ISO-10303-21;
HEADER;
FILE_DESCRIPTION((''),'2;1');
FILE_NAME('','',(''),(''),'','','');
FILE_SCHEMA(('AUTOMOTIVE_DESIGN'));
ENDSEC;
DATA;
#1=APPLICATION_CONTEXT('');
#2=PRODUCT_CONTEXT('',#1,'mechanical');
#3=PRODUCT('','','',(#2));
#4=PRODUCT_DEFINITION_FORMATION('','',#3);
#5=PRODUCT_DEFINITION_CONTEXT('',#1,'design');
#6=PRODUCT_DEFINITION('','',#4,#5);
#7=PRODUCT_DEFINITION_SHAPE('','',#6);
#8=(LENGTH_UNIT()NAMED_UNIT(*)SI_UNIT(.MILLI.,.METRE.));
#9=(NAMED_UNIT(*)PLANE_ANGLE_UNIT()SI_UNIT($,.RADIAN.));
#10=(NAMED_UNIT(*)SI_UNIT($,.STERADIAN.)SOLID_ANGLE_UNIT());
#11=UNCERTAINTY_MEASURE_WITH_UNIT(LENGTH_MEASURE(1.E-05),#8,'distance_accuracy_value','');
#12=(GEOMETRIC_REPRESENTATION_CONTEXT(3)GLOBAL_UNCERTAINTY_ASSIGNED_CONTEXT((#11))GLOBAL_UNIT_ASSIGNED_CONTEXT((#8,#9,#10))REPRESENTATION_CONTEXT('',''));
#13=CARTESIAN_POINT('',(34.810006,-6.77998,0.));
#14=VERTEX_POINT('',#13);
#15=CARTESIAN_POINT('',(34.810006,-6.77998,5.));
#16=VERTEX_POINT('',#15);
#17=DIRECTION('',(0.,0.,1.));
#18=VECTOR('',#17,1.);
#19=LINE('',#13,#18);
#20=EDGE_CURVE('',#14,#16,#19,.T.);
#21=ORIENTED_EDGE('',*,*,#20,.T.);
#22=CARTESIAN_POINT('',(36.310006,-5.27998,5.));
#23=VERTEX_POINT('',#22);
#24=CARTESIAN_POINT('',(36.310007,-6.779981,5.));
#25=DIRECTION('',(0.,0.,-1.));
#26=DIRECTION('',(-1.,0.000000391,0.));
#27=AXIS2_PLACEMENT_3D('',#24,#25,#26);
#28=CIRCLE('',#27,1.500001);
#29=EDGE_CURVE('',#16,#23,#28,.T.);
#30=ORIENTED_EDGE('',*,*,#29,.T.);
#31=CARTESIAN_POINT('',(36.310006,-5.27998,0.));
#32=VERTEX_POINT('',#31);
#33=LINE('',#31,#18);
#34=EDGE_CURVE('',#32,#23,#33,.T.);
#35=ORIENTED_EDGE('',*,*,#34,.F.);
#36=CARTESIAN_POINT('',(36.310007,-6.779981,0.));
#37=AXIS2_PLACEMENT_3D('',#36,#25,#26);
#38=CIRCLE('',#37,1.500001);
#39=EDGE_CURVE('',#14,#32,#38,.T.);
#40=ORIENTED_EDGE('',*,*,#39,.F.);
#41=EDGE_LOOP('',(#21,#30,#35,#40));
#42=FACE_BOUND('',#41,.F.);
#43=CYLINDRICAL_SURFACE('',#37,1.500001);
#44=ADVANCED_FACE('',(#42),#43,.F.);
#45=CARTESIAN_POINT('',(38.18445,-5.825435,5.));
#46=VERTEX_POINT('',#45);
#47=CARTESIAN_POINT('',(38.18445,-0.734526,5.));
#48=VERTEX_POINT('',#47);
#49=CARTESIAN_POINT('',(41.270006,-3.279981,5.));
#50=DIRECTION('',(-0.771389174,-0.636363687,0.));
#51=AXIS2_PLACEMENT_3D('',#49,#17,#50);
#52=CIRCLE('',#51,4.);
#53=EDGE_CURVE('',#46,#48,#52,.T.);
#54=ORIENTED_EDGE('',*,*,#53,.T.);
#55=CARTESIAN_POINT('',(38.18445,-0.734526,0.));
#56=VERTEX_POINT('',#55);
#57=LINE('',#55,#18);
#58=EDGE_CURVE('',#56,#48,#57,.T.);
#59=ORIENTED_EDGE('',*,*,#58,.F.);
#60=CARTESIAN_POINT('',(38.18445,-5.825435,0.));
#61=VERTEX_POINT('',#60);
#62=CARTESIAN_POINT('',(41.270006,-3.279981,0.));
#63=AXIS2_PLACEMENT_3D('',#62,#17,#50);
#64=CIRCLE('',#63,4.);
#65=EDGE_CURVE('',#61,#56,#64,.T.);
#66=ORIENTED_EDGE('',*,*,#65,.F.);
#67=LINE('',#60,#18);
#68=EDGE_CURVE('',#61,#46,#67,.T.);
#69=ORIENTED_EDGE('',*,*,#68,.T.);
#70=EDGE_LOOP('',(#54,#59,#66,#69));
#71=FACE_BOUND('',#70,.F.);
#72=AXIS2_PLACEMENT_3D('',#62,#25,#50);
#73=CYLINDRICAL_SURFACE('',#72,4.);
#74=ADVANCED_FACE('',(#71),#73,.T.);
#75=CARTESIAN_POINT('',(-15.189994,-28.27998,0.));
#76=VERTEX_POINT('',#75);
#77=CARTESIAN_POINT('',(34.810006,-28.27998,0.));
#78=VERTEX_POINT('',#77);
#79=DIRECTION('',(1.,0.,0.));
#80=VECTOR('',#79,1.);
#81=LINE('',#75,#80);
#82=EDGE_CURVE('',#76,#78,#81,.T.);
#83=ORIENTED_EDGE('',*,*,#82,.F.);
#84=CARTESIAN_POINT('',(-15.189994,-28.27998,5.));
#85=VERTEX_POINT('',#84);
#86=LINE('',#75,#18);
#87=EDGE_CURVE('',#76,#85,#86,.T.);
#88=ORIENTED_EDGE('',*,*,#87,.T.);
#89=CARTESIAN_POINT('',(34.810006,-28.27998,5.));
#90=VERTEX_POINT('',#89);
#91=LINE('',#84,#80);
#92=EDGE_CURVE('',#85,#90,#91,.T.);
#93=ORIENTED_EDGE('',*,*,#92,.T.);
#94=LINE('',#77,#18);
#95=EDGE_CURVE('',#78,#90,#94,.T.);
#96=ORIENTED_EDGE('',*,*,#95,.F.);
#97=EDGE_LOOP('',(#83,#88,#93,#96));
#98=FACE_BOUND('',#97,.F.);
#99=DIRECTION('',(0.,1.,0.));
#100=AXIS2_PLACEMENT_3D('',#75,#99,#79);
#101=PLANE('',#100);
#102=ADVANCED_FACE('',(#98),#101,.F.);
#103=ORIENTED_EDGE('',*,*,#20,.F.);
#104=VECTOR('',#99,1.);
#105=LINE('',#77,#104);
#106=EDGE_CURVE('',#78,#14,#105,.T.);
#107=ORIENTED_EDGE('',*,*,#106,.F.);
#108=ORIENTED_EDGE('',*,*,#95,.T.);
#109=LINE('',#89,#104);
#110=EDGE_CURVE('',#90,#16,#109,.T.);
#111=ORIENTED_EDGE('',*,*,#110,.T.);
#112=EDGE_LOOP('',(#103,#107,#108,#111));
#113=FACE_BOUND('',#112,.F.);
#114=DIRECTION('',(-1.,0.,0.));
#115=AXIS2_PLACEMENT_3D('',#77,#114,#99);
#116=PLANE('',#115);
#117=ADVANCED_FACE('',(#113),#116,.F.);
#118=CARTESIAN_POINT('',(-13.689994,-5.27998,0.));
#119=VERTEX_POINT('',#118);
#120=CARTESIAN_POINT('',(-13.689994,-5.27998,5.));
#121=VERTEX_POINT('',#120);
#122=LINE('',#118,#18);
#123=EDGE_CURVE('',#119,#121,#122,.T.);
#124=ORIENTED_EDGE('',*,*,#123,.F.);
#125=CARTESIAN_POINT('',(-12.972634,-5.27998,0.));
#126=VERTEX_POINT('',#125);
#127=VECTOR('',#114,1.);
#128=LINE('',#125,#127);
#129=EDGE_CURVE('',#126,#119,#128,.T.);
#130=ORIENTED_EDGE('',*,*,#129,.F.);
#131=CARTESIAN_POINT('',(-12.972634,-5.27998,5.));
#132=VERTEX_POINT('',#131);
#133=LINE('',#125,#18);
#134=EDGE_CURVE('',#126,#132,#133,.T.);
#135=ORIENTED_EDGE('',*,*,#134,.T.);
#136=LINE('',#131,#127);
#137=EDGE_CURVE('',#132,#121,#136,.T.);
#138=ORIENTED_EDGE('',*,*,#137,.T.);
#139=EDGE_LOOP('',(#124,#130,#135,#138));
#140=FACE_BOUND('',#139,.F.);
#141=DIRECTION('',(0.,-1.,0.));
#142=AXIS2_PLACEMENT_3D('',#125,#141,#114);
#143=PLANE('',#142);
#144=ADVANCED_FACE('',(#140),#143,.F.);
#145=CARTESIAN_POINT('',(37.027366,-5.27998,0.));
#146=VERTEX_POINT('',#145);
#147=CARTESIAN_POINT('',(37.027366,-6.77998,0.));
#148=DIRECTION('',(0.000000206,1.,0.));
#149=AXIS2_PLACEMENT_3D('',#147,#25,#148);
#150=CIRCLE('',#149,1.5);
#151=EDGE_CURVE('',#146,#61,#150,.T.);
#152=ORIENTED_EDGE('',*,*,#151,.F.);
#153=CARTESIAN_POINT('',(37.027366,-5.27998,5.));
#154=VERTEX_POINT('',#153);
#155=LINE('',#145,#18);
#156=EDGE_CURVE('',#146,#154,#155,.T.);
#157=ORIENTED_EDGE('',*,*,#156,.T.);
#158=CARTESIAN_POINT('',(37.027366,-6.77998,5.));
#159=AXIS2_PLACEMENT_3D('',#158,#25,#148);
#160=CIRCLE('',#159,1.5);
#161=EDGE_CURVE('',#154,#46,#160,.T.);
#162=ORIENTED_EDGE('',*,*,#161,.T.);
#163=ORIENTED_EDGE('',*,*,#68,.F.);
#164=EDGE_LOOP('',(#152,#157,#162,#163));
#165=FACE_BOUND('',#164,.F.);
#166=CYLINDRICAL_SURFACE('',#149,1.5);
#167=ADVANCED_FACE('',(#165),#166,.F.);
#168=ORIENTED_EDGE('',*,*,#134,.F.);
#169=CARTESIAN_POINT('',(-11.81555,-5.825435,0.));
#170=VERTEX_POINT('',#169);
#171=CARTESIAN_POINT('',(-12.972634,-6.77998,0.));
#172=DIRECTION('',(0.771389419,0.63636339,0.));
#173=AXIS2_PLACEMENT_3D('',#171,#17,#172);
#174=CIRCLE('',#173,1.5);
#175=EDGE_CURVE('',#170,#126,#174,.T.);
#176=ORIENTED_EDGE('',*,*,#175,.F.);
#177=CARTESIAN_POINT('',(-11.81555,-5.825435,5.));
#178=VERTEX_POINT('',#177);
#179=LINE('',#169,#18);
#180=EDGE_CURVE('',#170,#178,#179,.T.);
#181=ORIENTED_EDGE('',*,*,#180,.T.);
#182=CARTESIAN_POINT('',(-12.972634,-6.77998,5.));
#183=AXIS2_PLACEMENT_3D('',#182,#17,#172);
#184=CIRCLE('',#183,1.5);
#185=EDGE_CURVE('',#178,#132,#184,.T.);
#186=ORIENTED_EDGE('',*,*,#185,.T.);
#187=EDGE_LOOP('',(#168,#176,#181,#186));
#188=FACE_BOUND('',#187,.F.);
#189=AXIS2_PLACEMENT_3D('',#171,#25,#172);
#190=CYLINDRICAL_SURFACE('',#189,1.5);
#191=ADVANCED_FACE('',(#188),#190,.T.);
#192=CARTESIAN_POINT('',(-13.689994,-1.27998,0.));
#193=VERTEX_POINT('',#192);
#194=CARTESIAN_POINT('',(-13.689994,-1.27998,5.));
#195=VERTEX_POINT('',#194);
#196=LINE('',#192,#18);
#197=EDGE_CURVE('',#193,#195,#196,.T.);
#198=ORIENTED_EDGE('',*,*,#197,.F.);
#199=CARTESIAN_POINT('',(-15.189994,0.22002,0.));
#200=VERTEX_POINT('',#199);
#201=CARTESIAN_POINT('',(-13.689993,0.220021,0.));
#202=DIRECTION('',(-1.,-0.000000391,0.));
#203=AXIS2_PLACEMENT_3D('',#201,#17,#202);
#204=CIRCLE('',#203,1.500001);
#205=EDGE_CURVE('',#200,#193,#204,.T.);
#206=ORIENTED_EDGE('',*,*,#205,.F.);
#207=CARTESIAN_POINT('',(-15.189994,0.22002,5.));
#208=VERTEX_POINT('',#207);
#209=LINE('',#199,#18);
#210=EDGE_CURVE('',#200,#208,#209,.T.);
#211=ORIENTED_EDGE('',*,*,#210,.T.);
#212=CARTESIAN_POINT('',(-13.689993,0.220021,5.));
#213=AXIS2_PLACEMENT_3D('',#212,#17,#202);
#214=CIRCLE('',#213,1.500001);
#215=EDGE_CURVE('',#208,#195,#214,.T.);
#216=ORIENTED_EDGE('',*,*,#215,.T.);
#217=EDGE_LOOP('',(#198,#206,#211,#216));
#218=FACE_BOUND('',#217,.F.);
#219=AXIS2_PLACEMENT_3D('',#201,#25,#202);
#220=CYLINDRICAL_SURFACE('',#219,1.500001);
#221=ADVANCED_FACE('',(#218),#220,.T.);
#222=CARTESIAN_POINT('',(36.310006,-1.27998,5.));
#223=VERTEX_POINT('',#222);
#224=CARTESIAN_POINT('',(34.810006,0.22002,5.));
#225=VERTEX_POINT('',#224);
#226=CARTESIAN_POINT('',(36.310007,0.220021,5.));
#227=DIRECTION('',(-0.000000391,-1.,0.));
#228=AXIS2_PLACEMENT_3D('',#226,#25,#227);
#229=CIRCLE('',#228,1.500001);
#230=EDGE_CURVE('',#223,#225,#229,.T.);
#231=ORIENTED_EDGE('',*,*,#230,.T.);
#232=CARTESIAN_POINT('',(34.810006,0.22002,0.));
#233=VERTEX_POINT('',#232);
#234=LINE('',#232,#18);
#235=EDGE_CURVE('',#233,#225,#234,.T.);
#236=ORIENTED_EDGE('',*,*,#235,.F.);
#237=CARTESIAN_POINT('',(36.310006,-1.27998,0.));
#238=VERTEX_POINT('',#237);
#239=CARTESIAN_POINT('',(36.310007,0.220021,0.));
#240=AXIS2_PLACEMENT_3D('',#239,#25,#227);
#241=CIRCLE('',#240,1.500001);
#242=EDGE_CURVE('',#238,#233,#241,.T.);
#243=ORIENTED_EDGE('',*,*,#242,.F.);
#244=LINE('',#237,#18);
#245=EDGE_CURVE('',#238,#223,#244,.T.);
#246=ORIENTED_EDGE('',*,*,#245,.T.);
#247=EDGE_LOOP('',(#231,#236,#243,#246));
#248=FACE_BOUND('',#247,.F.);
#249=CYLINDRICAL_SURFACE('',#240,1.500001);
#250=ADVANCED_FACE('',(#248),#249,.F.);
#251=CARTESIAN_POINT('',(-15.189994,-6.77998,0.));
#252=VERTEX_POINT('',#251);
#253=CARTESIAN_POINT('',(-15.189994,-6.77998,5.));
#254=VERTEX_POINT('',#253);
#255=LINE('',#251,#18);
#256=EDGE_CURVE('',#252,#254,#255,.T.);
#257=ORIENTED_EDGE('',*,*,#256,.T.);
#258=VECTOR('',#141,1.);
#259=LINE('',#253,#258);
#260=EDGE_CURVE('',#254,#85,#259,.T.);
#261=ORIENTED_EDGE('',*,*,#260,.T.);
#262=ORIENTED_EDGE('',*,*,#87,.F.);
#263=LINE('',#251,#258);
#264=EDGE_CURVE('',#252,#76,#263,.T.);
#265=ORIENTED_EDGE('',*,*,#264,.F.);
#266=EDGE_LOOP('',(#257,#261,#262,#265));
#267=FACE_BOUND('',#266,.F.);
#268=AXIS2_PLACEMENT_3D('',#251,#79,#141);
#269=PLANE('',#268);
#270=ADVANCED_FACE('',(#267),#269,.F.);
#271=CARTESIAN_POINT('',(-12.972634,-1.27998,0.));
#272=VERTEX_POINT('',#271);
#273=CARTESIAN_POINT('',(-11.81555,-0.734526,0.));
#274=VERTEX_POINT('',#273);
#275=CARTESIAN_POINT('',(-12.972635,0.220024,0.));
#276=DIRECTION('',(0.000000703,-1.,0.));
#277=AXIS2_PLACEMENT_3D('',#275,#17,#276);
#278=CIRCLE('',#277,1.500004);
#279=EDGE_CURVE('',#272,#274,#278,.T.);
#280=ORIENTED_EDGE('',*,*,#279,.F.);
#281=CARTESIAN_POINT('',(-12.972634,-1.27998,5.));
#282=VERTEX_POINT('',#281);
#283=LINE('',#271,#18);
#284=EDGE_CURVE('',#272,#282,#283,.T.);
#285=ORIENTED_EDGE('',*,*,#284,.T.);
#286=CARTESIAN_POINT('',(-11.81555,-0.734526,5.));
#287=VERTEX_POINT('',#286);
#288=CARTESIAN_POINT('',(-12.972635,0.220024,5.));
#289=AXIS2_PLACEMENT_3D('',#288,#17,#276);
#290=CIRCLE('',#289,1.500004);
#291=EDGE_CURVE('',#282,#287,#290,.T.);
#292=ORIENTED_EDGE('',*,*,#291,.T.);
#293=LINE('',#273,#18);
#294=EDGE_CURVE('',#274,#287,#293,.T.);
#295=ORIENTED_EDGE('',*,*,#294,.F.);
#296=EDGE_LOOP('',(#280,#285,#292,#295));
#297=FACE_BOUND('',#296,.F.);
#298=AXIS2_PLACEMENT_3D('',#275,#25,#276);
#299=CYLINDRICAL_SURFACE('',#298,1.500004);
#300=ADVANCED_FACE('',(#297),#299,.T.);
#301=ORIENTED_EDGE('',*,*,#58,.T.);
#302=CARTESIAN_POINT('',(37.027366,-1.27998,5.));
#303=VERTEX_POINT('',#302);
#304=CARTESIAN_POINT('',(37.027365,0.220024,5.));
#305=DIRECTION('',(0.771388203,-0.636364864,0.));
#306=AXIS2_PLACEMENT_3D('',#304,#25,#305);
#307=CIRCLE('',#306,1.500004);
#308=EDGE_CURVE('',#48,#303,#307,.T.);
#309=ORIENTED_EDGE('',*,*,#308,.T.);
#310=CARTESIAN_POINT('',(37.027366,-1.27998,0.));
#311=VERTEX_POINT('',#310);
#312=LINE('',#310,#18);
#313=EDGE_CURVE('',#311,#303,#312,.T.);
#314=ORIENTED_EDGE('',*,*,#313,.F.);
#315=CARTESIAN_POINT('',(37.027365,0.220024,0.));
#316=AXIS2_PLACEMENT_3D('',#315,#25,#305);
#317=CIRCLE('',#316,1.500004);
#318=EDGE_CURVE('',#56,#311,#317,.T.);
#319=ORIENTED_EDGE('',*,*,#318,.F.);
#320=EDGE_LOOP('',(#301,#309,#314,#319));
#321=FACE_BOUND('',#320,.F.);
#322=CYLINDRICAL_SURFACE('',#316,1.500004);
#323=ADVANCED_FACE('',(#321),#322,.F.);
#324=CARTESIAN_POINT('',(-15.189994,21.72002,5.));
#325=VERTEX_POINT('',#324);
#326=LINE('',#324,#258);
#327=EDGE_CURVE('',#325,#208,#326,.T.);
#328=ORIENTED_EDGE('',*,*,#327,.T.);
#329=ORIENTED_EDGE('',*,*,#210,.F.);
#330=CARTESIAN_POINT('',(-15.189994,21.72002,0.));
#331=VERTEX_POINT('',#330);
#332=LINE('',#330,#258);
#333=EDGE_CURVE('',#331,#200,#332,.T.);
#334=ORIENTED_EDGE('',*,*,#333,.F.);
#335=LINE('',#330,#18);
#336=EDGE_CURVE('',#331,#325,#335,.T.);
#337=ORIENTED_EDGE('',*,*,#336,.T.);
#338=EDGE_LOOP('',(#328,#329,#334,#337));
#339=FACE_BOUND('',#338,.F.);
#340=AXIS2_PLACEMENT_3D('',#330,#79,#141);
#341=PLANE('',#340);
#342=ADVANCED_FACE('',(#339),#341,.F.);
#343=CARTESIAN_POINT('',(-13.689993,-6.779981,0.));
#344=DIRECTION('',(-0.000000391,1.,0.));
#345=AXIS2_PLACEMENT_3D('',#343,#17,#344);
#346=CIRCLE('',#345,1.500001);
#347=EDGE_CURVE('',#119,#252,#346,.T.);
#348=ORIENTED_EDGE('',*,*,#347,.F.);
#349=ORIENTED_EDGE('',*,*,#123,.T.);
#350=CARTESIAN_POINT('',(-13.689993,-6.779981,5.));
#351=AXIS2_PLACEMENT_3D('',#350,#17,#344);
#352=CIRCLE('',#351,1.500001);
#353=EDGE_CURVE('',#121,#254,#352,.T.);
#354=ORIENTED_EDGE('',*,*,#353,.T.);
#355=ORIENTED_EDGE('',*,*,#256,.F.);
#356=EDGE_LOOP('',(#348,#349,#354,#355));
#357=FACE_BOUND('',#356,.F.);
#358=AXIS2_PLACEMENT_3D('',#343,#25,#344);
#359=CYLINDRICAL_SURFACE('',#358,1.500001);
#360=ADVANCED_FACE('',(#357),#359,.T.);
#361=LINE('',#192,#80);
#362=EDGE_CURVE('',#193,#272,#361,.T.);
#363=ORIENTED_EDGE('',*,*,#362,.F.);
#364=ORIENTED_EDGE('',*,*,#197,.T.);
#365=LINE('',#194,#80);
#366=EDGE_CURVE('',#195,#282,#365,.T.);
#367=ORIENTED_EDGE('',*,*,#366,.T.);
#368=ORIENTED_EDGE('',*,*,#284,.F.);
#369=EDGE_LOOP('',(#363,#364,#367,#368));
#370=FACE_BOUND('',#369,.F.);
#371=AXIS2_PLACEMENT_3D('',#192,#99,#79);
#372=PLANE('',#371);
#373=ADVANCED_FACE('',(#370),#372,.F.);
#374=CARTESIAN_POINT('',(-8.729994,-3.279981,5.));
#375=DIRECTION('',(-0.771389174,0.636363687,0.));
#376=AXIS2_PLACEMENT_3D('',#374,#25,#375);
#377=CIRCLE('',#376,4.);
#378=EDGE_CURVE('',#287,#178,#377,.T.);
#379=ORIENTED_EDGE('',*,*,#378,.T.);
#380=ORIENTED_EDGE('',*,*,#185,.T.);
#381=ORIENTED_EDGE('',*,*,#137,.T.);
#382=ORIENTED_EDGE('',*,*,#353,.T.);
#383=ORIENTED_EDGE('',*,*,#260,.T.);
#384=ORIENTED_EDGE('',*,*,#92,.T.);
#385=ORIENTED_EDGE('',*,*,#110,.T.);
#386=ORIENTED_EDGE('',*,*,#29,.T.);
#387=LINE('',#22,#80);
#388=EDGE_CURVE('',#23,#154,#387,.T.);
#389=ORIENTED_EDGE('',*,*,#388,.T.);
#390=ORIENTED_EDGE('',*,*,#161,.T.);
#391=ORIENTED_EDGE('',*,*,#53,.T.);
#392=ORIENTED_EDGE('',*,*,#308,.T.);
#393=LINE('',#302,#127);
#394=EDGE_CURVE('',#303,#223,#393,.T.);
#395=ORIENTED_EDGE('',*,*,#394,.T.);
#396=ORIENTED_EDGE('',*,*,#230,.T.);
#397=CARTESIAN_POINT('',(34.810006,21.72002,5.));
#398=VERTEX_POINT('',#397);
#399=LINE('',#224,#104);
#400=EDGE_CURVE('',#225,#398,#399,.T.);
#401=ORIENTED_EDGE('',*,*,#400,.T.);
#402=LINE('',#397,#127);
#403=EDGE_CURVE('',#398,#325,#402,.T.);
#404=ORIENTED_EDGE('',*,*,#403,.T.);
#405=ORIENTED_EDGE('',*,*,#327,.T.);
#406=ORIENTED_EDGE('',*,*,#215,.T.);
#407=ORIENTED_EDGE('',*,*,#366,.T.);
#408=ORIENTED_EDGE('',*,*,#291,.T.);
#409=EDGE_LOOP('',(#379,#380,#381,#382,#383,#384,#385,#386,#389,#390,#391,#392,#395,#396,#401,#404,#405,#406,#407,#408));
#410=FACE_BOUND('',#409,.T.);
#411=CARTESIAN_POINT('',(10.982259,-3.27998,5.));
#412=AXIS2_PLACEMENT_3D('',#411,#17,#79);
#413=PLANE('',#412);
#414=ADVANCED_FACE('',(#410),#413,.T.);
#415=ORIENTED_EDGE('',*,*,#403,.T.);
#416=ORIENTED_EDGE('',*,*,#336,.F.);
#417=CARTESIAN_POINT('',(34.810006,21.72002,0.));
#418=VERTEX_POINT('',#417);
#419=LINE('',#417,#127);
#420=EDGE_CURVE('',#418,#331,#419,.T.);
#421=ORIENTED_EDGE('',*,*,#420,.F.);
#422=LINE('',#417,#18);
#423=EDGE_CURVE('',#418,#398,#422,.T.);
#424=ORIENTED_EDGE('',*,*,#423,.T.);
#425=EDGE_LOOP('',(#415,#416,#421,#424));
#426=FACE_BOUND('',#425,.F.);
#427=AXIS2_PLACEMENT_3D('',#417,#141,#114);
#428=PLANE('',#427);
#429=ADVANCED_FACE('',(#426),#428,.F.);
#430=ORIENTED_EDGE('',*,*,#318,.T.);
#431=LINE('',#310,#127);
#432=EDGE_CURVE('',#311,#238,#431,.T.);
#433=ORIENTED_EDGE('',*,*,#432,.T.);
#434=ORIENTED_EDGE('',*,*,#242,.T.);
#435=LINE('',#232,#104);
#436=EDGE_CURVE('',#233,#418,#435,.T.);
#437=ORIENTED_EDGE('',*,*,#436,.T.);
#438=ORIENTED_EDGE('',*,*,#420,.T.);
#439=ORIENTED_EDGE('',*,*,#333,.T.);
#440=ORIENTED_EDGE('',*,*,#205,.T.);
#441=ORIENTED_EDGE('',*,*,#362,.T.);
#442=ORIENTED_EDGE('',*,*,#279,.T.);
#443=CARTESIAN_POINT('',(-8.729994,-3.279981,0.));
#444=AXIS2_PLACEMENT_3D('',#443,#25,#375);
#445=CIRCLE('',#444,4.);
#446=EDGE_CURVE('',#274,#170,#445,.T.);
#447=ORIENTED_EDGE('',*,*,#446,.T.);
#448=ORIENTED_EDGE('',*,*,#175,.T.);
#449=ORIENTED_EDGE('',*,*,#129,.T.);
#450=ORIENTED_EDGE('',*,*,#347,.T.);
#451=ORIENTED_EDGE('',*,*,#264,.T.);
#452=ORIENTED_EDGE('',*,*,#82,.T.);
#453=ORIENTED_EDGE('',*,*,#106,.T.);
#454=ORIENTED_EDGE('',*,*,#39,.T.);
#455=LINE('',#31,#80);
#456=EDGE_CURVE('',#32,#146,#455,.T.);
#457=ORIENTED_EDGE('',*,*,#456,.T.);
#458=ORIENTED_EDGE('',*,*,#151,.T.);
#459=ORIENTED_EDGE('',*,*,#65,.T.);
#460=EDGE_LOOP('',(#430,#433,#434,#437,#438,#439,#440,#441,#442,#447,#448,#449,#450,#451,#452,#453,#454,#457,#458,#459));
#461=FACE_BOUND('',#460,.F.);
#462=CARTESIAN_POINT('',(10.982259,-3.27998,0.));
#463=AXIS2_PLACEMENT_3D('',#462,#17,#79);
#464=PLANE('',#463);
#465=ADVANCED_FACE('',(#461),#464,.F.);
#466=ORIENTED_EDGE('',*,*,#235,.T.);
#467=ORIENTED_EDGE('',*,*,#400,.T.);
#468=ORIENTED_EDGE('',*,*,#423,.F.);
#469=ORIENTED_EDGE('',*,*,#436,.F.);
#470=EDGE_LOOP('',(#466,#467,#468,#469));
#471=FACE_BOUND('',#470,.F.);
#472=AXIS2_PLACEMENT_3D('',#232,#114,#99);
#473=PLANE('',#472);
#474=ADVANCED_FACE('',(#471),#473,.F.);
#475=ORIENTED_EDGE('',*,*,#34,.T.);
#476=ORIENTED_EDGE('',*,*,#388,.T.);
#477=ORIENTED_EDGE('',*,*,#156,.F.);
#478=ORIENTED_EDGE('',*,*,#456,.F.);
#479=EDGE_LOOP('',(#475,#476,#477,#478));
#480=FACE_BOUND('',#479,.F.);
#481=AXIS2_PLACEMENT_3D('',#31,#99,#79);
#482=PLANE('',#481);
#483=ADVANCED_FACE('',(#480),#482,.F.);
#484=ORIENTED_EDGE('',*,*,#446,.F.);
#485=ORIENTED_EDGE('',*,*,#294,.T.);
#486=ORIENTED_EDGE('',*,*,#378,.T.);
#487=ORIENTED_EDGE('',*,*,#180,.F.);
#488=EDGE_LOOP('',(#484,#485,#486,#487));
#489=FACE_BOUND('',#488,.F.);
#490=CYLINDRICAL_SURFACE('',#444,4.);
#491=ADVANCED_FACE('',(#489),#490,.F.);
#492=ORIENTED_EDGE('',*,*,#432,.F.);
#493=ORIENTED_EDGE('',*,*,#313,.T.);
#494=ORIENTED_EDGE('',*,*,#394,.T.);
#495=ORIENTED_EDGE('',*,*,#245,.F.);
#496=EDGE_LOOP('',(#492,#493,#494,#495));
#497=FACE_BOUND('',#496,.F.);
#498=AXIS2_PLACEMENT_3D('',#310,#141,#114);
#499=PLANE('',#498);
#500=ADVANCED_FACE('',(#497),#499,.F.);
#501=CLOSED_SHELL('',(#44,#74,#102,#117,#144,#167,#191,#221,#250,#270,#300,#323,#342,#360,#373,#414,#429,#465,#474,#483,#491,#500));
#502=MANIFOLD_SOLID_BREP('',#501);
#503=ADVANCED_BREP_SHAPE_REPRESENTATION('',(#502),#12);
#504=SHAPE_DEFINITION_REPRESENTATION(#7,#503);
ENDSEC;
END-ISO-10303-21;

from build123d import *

# Parameters (mm, degrees)
F1_DEPTH = 5


with BuildPart() as f1:
    # F0 (on Top) → F1 (new body)
    with BuildSketch(Plane.XY):
        with BuildLine():
            Line((34.810006, 21.72002), (-15.189994, 21.72002))
            Line((-15.189994, 21.72002), (-15.189994, 0.22002))
            ThreePointArc((-15.189994, 0.22002), (-14.750654, -0.84064), (-13.689994, -1.27998))
            Line((-13.689994, -1.27998), (-12.972634, -1.27998))
            ThreePointArc((-12.972634, -1.27998), (-12.333032, -1.136781), (-11.81555, -0.734526))
            ThreePointArc((-11.81555, -0.734526), (-4.729994, -3.27998), (-11.81555, -5.825435))
            ThreePointArc((-11.81555, -5.825435), (-12.333032, -5.423179), (-12.972634, -5.27998))
            Line((-12.972634, -5.27998), (-13.689994, -5.27998))
            ThreePointArc((-13.689994, -5.27998), (-14.750654, -5.71932), (-15.189994, -6.77998))
            Line((-15.189994, -6.77998), (-15.189994, -28.27998))
            Line((-15.189994, -28.27998), (34.810006, -28.27998))
            Line((34.810006, -28.27998), (34.810006, -6.77998))
            ThreePointArc((34.810006, -6.77998), (35.249346, -5.71932), (36.310006, -5.27998))
            Line((36.310006, -5.27998), (37.027366, -5.27998))
            ThreePointArc((37.027366, -5.27998), (37.666968, -5.423179), (38.18445, -5.825435))
            ThreePointArc((38.18445, -5.825435), (45.270006, -3.27998), (38.18445, -0.734526))
            ThreePointArc((38.18445, -0.734526), (37.666968, -1.136781), (37.027366, -1.27998))
            Line((37.027366, -1.27998), (36.310006, -1.27998))
            ThreePointArc((36.310006, -1.27998), (35.249346, -0.84064), (34.810006, 0.22002))
            Line((34.810006, 0.22002), (34.810006, 21.72002))
        make_face()
    extrude(amount=F1_DEPTH)


solid = f1.part
